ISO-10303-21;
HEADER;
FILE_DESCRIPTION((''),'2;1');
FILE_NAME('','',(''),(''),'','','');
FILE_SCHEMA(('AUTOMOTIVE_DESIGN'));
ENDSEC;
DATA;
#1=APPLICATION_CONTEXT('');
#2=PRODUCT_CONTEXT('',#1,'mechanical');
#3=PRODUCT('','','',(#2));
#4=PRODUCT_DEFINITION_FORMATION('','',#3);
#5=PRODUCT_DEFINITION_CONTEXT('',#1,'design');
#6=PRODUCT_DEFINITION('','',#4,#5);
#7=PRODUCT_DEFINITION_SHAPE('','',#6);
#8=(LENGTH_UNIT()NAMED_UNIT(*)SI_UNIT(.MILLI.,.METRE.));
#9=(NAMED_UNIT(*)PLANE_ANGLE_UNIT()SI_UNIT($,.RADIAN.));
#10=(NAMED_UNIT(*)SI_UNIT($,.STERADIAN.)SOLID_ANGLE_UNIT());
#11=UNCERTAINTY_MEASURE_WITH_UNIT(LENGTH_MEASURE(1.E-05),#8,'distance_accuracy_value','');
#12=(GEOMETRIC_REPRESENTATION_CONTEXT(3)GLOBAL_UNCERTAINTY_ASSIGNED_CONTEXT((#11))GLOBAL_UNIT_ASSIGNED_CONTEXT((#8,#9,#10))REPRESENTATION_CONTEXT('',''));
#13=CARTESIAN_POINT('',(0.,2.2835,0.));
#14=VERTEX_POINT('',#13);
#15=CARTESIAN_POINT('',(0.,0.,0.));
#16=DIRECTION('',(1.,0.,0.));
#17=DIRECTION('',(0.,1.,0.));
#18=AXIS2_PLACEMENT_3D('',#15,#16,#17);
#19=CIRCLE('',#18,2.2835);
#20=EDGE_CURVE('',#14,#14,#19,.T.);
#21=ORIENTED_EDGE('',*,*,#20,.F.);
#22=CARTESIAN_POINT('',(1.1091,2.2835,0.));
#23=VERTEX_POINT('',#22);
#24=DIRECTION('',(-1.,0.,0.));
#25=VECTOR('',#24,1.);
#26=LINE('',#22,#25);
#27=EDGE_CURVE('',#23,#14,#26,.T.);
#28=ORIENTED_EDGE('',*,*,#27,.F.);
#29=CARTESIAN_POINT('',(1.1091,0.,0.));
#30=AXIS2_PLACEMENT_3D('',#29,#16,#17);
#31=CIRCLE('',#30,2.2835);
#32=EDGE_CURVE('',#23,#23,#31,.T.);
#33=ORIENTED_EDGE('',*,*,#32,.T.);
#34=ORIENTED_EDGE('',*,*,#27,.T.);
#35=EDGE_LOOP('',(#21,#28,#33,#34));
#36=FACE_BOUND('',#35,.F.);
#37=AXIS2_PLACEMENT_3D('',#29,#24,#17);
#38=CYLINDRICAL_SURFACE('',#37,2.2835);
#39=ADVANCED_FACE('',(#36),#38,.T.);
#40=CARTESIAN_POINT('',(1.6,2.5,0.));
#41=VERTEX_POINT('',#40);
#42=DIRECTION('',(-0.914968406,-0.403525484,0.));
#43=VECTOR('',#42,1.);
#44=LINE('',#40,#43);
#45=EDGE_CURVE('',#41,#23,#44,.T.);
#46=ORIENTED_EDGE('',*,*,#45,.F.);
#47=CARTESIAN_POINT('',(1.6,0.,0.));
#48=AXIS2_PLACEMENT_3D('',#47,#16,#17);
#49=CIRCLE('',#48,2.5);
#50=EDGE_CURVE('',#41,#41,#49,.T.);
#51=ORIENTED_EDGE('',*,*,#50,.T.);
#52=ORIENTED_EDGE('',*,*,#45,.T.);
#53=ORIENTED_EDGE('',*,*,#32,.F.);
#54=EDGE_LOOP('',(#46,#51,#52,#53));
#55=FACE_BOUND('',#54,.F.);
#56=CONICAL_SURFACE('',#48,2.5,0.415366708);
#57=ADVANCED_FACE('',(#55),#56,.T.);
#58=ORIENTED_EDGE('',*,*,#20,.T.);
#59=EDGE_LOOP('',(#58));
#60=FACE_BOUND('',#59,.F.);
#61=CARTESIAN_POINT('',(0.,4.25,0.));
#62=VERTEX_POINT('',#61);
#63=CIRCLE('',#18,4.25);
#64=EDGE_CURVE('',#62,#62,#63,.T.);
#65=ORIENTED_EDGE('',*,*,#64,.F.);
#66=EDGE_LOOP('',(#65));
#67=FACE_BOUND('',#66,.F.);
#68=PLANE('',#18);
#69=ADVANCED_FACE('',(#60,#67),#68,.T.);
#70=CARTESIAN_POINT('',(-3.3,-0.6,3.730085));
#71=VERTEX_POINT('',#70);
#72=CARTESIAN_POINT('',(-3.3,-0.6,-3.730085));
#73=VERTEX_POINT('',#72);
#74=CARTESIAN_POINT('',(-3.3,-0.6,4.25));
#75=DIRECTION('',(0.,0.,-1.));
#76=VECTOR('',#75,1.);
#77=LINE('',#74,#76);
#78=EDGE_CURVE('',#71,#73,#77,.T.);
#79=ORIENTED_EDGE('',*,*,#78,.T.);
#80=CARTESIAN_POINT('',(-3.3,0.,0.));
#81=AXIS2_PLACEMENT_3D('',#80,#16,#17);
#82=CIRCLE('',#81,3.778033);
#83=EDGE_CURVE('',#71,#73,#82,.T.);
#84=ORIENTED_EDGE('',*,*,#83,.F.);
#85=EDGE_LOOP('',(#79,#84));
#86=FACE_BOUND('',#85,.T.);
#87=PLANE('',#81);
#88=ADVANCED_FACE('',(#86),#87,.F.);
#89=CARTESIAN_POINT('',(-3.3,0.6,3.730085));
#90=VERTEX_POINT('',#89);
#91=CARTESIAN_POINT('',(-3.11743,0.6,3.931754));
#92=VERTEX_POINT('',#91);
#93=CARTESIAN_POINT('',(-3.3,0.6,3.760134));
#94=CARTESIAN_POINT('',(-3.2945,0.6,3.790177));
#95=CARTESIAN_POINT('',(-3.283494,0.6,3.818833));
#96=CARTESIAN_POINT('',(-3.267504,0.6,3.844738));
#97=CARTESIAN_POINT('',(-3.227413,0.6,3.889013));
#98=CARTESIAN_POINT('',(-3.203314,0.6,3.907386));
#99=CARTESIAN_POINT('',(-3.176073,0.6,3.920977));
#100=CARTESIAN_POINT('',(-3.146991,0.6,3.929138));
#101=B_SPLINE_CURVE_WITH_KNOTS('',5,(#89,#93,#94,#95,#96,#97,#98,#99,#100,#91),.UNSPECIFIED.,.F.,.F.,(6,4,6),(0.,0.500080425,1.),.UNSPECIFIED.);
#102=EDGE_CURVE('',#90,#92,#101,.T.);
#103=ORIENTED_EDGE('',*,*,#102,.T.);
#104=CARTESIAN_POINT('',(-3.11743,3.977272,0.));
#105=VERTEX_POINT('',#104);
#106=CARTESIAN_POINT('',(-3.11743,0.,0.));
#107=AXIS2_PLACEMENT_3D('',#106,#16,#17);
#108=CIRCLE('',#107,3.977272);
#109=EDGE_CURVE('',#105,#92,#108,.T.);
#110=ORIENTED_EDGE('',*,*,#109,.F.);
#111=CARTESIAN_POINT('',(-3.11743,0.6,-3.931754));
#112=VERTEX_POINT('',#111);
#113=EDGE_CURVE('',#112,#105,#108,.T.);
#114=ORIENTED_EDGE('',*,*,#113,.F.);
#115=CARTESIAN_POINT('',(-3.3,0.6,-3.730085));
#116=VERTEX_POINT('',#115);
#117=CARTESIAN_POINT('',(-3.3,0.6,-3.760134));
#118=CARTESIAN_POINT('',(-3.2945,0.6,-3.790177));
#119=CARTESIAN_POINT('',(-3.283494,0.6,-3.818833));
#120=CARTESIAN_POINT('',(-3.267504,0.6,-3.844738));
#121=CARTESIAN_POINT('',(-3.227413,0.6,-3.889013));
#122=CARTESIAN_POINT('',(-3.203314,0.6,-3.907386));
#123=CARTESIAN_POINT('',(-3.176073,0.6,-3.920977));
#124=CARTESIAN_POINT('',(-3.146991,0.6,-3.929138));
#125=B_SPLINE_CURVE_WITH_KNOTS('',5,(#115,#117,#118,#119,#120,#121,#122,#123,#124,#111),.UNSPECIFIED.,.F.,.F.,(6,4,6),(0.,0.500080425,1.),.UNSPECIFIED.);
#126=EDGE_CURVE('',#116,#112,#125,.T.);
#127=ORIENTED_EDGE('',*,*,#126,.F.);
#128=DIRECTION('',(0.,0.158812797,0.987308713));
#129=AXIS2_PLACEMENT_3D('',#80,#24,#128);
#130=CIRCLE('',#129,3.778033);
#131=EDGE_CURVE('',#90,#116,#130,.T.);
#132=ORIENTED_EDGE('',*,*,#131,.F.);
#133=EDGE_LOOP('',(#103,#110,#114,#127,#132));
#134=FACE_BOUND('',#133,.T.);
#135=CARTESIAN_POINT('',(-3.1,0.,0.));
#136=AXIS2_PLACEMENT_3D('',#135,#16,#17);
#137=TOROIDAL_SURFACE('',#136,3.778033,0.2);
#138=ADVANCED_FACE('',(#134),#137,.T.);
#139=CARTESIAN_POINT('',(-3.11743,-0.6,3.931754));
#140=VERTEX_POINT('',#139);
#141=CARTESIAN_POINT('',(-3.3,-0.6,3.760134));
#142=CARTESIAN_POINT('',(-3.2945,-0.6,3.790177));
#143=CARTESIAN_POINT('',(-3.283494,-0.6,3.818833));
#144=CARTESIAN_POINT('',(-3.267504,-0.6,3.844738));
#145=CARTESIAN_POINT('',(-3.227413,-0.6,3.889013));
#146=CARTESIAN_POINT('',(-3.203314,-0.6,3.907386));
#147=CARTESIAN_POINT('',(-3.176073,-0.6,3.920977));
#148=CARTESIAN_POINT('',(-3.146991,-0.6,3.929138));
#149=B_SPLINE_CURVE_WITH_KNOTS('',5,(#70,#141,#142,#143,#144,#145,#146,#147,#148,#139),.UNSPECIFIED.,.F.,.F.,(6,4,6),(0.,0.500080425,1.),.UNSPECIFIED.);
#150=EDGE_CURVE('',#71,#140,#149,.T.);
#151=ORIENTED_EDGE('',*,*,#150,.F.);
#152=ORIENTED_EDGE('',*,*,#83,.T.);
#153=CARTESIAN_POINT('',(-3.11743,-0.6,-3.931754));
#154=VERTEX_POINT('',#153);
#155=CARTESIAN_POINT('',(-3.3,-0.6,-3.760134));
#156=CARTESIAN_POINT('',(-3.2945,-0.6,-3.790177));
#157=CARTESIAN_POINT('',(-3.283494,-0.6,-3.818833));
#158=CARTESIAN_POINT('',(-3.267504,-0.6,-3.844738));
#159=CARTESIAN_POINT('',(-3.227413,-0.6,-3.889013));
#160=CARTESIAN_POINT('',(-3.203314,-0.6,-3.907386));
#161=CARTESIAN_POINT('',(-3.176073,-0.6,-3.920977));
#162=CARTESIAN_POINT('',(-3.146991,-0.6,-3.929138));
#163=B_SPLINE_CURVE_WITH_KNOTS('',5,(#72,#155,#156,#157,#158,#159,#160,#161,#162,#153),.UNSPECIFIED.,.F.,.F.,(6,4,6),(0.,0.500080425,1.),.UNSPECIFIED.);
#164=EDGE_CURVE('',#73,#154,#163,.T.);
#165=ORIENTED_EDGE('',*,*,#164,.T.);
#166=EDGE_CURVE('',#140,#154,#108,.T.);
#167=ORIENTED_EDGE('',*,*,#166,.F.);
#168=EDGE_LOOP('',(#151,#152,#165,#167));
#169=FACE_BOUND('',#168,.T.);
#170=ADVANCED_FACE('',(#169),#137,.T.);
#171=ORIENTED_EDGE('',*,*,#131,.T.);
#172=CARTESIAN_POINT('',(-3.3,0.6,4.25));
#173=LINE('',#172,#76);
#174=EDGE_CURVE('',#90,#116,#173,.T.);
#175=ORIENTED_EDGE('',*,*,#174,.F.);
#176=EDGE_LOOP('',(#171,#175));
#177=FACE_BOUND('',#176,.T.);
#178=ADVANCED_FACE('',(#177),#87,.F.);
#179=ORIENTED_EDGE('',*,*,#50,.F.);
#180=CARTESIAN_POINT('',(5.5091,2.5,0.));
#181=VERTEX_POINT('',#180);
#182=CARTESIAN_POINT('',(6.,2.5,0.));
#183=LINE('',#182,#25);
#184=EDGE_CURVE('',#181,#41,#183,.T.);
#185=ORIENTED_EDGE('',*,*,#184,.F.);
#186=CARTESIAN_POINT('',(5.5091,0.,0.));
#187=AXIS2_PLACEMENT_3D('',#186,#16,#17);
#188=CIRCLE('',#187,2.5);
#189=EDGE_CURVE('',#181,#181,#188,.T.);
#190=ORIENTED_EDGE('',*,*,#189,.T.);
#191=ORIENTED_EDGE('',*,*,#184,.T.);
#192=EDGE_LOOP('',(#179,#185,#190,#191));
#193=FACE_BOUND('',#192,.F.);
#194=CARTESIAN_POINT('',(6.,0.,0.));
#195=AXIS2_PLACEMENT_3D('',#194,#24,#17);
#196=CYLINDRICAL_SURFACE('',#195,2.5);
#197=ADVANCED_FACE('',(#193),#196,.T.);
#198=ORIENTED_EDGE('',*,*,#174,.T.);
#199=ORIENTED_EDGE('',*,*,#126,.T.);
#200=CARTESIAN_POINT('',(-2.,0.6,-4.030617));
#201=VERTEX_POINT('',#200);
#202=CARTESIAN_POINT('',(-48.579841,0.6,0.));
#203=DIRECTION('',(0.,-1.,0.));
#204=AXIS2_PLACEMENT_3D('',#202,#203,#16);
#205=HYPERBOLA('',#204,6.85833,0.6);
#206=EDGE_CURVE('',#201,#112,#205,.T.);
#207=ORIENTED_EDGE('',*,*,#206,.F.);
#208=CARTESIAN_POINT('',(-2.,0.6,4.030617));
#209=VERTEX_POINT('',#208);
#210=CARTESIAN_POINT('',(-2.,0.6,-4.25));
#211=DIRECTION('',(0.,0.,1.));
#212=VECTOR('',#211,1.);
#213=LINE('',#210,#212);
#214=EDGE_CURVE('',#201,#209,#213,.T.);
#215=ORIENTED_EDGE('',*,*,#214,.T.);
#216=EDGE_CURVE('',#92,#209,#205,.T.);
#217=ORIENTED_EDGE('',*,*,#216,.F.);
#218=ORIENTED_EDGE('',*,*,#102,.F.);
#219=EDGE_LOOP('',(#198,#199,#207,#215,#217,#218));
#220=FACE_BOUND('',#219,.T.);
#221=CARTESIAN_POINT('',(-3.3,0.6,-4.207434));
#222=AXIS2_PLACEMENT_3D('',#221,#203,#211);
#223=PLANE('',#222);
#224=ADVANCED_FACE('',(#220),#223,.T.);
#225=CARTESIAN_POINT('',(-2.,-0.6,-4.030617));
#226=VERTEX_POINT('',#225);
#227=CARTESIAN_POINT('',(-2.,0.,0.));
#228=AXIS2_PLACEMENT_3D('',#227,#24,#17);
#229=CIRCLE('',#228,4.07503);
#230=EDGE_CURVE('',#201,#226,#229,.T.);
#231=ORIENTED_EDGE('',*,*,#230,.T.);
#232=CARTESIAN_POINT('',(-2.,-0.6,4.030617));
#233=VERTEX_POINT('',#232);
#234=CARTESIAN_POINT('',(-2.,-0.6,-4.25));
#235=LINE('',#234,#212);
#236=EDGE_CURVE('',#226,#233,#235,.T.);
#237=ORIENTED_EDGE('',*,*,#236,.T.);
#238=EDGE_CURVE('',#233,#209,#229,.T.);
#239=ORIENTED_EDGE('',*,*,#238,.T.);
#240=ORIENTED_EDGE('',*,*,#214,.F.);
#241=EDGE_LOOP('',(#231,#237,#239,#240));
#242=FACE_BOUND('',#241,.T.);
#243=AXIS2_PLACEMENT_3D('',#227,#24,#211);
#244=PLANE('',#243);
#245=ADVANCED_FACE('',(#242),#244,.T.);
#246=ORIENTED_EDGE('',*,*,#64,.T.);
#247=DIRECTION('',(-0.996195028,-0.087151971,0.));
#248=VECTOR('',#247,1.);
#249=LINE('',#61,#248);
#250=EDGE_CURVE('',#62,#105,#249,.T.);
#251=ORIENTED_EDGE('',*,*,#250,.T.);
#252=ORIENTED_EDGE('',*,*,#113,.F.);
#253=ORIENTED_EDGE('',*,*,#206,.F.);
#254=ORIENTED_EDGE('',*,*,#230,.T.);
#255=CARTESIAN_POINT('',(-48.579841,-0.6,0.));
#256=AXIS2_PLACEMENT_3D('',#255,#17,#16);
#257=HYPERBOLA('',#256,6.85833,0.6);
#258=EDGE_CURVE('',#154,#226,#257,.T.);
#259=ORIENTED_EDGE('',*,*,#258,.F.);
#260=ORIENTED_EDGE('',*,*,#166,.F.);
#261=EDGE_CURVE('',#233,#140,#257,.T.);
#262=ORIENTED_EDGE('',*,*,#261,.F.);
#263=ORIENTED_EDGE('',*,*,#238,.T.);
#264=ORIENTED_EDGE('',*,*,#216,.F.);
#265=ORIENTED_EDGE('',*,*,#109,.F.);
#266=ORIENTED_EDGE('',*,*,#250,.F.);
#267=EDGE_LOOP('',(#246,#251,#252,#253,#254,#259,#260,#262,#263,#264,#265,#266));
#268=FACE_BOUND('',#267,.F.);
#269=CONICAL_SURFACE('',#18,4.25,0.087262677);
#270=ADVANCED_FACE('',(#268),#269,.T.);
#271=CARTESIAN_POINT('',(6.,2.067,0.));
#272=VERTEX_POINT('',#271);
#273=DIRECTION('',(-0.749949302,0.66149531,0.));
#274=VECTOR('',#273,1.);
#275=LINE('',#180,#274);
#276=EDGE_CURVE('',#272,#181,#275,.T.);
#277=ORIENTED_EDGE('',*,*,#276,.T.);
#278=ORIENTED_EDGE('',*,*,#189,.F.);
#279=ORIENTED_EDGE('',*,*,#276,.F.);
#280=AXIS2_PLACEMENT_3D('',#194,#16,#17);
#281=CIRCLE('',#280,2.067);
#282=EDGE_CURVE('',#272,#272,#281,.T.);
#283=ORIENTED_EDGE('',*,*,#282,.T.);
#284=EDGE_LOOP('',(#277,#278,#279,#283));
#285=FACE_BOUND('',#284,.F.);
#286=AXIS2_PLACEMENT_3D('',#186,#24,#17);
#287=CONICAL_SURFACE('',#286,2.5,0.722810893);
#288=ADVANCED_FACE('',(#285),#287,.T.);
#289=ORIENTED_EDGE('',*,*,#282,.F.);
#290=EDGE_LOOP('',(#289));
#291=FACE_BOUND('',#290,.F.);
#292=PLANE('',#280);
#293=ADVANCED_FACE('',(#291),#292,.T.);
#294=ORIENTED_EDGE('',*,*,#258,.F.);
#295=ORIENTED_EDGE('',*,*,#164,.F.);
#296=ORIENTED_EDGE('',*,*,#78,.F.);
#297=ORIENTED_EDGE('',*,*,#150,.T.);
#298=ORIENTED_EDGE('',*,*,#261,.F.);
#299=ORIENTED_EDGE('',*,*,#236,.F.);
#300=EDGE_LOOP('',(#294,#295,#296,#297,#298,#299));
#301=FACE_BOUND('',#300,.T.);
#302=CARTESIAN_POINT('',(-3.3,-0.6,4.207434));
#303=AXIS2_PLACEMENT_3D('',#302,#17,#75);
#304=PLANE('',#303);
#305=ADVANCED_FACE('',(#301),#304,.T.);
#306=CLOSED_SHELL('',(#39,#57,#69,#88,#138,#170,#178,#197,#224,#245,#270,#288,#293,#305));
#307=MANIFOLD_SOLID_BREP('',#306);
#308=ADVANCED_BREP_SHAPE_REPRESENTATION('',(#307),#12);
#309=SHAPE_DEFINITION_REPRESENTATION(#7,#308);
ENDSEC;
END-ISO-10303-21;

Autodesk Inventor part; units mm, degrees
ref_plane "YZ Plane" through (0, 0, 0) normal (1, 0, 0) x (0, 1, 0)
ref_plane "XZ Plane" through (0, 0, 0) normal (0, 1, 0) x (-1, 0, 0)
sketch "Sketch1" plane through (0, 0, 0) normal (0, 0, 1) x (1, 0, 0)
  line L0 (-3.3, 0) -> (6, 0)
  line L1 (6, 0) -> (6, 2.5)
  line L2 (6, 2.5) -> (1.6, 2.5)
  line L3 (1.6, 2.5) -> (1.1091, 2.2835)
  line L4 (1.1091, 2.2835) -> (0, 2.2835)
  line L5 (0, 2.2835) -> (0, 4.25)
  line L6 (-5.16, 0) -> (7.86, 0) projected
  line L7 (0, -0.85) -> (0, 5.1) projected
  line L8 (-3.3, 0) -> (-3.3, 3.9613)
  line L9 (0, 4.25) -> (-3.3, 3.9613)
  line L10 (1.6, 2.5) -> (0, 2.5) construction
  dimension "d0" = 6
  dimension "d1" = 4.4
  dimension "d2" = 0.4909
  dimension "d3" = 3.3
  dimension "d4" = 5
  dimension "d5" = 4.567
  dimension "d9" = 8.5
  dimension "d10" = 5
revolve "Body" add sketch "Sketch1" angle 360 about axis through (-3.3, 0, 0) along (1, 0, 0)
sketch "Sketch2" plane through (-3.3, 0, 0) normal (-1, 0, 0) x (0, 0, 1)
  circle A0 centre (0, 0) radius 4.25 projected
  line L0 (0, 0) -> (0, 3.9613) projected
  line L1 (-4.25, 0.6) -> (4.25, 0.6)
  line L2 (4.25, 0.6) -> (4.25, -0.6)
  line L3 (4.25, -0.6) -> (-4.25, -0.6)
  line L4 (-4.25, -0.6) -> (-4.25, 0.6)
  line L5 (-4.25, 0) -> (4.25, 0) construction
  line L6 (0, 0.6) -> (0, -0.6) construction
  dimension "d11" = 1.2
  dimension "d12" = 8.5
fillet "Fillet1" radius 0.2 1 edges at (-3.3, -3.9613, 0)
extrude "Slot" cut sketch "Sketch2" against normal blind 1.3 contours A0 L3 L1 | L2 L3 A0 | A0 L1 L2 | A0 L4 L1 | L3 L4 A0
thread "Thread" size "M5x0.8" class "6g" standard "ISO Metric profile" length 4.4
chamfer "Chamfer1" distance 0.433 distance2 0.4909 1 edges at (6, -2.5, 0) measured on face at (6, -0.1451, 0.646)
ref_plane "Work Plane1" through (30.1625, 0, 0) normal (0, 0, -1) x (1, 0, 0)
equation "\"d11\" = SBR"
equation "\"d12\" = KOD"
equation "\"d14\" = RR"
equation "\"d19\" = STI"
equation "\"d15\" = GEL"
equation "\"d17\" = -0.5 * SPD + 0.5 * GD"
equation "\"d0\" = NLG"
equation "\"d1\" = GEL"
equation "\"d3\" = KOH"
equation "\"d4\" = GD"
equation "\"d5\" = BDM"
equation "\"d9\" = KOD"
equation "\"d10\" = KEWI"
equation "\"GD\" = 5"
equation "\"NLG\" = 6"
equation "\"GEL\" = 4.4"
equation "\"KOD\" = 8.5"
equation "\"KOH\" = 3.3"
equation "\"GAL\" = 0.61345 * PTC"
equation "\"SPD\" = 4.13397"
equation "\"BDM\" = 4.56699"
equation "\"GUL\" = 0.61345 * PTC"
equation "\"RR\" = 0.2"
equation "\"SBR\" = 1.2"
equation "\"STI\" = 1.3"
equation "\"KEWI\" = 5deg"
equation "\"PTC\" = 0.8"
equation "\"THREADDIA\" = 5"
equation "\"TOA\" = 30deg"
equation "\"NND\" = 5"
equation "\"GD1\" = THREADDIA - 1.2269 * PTC"
properties part number "DIN 84 - M5 x 6" material "Steel, Mild"
